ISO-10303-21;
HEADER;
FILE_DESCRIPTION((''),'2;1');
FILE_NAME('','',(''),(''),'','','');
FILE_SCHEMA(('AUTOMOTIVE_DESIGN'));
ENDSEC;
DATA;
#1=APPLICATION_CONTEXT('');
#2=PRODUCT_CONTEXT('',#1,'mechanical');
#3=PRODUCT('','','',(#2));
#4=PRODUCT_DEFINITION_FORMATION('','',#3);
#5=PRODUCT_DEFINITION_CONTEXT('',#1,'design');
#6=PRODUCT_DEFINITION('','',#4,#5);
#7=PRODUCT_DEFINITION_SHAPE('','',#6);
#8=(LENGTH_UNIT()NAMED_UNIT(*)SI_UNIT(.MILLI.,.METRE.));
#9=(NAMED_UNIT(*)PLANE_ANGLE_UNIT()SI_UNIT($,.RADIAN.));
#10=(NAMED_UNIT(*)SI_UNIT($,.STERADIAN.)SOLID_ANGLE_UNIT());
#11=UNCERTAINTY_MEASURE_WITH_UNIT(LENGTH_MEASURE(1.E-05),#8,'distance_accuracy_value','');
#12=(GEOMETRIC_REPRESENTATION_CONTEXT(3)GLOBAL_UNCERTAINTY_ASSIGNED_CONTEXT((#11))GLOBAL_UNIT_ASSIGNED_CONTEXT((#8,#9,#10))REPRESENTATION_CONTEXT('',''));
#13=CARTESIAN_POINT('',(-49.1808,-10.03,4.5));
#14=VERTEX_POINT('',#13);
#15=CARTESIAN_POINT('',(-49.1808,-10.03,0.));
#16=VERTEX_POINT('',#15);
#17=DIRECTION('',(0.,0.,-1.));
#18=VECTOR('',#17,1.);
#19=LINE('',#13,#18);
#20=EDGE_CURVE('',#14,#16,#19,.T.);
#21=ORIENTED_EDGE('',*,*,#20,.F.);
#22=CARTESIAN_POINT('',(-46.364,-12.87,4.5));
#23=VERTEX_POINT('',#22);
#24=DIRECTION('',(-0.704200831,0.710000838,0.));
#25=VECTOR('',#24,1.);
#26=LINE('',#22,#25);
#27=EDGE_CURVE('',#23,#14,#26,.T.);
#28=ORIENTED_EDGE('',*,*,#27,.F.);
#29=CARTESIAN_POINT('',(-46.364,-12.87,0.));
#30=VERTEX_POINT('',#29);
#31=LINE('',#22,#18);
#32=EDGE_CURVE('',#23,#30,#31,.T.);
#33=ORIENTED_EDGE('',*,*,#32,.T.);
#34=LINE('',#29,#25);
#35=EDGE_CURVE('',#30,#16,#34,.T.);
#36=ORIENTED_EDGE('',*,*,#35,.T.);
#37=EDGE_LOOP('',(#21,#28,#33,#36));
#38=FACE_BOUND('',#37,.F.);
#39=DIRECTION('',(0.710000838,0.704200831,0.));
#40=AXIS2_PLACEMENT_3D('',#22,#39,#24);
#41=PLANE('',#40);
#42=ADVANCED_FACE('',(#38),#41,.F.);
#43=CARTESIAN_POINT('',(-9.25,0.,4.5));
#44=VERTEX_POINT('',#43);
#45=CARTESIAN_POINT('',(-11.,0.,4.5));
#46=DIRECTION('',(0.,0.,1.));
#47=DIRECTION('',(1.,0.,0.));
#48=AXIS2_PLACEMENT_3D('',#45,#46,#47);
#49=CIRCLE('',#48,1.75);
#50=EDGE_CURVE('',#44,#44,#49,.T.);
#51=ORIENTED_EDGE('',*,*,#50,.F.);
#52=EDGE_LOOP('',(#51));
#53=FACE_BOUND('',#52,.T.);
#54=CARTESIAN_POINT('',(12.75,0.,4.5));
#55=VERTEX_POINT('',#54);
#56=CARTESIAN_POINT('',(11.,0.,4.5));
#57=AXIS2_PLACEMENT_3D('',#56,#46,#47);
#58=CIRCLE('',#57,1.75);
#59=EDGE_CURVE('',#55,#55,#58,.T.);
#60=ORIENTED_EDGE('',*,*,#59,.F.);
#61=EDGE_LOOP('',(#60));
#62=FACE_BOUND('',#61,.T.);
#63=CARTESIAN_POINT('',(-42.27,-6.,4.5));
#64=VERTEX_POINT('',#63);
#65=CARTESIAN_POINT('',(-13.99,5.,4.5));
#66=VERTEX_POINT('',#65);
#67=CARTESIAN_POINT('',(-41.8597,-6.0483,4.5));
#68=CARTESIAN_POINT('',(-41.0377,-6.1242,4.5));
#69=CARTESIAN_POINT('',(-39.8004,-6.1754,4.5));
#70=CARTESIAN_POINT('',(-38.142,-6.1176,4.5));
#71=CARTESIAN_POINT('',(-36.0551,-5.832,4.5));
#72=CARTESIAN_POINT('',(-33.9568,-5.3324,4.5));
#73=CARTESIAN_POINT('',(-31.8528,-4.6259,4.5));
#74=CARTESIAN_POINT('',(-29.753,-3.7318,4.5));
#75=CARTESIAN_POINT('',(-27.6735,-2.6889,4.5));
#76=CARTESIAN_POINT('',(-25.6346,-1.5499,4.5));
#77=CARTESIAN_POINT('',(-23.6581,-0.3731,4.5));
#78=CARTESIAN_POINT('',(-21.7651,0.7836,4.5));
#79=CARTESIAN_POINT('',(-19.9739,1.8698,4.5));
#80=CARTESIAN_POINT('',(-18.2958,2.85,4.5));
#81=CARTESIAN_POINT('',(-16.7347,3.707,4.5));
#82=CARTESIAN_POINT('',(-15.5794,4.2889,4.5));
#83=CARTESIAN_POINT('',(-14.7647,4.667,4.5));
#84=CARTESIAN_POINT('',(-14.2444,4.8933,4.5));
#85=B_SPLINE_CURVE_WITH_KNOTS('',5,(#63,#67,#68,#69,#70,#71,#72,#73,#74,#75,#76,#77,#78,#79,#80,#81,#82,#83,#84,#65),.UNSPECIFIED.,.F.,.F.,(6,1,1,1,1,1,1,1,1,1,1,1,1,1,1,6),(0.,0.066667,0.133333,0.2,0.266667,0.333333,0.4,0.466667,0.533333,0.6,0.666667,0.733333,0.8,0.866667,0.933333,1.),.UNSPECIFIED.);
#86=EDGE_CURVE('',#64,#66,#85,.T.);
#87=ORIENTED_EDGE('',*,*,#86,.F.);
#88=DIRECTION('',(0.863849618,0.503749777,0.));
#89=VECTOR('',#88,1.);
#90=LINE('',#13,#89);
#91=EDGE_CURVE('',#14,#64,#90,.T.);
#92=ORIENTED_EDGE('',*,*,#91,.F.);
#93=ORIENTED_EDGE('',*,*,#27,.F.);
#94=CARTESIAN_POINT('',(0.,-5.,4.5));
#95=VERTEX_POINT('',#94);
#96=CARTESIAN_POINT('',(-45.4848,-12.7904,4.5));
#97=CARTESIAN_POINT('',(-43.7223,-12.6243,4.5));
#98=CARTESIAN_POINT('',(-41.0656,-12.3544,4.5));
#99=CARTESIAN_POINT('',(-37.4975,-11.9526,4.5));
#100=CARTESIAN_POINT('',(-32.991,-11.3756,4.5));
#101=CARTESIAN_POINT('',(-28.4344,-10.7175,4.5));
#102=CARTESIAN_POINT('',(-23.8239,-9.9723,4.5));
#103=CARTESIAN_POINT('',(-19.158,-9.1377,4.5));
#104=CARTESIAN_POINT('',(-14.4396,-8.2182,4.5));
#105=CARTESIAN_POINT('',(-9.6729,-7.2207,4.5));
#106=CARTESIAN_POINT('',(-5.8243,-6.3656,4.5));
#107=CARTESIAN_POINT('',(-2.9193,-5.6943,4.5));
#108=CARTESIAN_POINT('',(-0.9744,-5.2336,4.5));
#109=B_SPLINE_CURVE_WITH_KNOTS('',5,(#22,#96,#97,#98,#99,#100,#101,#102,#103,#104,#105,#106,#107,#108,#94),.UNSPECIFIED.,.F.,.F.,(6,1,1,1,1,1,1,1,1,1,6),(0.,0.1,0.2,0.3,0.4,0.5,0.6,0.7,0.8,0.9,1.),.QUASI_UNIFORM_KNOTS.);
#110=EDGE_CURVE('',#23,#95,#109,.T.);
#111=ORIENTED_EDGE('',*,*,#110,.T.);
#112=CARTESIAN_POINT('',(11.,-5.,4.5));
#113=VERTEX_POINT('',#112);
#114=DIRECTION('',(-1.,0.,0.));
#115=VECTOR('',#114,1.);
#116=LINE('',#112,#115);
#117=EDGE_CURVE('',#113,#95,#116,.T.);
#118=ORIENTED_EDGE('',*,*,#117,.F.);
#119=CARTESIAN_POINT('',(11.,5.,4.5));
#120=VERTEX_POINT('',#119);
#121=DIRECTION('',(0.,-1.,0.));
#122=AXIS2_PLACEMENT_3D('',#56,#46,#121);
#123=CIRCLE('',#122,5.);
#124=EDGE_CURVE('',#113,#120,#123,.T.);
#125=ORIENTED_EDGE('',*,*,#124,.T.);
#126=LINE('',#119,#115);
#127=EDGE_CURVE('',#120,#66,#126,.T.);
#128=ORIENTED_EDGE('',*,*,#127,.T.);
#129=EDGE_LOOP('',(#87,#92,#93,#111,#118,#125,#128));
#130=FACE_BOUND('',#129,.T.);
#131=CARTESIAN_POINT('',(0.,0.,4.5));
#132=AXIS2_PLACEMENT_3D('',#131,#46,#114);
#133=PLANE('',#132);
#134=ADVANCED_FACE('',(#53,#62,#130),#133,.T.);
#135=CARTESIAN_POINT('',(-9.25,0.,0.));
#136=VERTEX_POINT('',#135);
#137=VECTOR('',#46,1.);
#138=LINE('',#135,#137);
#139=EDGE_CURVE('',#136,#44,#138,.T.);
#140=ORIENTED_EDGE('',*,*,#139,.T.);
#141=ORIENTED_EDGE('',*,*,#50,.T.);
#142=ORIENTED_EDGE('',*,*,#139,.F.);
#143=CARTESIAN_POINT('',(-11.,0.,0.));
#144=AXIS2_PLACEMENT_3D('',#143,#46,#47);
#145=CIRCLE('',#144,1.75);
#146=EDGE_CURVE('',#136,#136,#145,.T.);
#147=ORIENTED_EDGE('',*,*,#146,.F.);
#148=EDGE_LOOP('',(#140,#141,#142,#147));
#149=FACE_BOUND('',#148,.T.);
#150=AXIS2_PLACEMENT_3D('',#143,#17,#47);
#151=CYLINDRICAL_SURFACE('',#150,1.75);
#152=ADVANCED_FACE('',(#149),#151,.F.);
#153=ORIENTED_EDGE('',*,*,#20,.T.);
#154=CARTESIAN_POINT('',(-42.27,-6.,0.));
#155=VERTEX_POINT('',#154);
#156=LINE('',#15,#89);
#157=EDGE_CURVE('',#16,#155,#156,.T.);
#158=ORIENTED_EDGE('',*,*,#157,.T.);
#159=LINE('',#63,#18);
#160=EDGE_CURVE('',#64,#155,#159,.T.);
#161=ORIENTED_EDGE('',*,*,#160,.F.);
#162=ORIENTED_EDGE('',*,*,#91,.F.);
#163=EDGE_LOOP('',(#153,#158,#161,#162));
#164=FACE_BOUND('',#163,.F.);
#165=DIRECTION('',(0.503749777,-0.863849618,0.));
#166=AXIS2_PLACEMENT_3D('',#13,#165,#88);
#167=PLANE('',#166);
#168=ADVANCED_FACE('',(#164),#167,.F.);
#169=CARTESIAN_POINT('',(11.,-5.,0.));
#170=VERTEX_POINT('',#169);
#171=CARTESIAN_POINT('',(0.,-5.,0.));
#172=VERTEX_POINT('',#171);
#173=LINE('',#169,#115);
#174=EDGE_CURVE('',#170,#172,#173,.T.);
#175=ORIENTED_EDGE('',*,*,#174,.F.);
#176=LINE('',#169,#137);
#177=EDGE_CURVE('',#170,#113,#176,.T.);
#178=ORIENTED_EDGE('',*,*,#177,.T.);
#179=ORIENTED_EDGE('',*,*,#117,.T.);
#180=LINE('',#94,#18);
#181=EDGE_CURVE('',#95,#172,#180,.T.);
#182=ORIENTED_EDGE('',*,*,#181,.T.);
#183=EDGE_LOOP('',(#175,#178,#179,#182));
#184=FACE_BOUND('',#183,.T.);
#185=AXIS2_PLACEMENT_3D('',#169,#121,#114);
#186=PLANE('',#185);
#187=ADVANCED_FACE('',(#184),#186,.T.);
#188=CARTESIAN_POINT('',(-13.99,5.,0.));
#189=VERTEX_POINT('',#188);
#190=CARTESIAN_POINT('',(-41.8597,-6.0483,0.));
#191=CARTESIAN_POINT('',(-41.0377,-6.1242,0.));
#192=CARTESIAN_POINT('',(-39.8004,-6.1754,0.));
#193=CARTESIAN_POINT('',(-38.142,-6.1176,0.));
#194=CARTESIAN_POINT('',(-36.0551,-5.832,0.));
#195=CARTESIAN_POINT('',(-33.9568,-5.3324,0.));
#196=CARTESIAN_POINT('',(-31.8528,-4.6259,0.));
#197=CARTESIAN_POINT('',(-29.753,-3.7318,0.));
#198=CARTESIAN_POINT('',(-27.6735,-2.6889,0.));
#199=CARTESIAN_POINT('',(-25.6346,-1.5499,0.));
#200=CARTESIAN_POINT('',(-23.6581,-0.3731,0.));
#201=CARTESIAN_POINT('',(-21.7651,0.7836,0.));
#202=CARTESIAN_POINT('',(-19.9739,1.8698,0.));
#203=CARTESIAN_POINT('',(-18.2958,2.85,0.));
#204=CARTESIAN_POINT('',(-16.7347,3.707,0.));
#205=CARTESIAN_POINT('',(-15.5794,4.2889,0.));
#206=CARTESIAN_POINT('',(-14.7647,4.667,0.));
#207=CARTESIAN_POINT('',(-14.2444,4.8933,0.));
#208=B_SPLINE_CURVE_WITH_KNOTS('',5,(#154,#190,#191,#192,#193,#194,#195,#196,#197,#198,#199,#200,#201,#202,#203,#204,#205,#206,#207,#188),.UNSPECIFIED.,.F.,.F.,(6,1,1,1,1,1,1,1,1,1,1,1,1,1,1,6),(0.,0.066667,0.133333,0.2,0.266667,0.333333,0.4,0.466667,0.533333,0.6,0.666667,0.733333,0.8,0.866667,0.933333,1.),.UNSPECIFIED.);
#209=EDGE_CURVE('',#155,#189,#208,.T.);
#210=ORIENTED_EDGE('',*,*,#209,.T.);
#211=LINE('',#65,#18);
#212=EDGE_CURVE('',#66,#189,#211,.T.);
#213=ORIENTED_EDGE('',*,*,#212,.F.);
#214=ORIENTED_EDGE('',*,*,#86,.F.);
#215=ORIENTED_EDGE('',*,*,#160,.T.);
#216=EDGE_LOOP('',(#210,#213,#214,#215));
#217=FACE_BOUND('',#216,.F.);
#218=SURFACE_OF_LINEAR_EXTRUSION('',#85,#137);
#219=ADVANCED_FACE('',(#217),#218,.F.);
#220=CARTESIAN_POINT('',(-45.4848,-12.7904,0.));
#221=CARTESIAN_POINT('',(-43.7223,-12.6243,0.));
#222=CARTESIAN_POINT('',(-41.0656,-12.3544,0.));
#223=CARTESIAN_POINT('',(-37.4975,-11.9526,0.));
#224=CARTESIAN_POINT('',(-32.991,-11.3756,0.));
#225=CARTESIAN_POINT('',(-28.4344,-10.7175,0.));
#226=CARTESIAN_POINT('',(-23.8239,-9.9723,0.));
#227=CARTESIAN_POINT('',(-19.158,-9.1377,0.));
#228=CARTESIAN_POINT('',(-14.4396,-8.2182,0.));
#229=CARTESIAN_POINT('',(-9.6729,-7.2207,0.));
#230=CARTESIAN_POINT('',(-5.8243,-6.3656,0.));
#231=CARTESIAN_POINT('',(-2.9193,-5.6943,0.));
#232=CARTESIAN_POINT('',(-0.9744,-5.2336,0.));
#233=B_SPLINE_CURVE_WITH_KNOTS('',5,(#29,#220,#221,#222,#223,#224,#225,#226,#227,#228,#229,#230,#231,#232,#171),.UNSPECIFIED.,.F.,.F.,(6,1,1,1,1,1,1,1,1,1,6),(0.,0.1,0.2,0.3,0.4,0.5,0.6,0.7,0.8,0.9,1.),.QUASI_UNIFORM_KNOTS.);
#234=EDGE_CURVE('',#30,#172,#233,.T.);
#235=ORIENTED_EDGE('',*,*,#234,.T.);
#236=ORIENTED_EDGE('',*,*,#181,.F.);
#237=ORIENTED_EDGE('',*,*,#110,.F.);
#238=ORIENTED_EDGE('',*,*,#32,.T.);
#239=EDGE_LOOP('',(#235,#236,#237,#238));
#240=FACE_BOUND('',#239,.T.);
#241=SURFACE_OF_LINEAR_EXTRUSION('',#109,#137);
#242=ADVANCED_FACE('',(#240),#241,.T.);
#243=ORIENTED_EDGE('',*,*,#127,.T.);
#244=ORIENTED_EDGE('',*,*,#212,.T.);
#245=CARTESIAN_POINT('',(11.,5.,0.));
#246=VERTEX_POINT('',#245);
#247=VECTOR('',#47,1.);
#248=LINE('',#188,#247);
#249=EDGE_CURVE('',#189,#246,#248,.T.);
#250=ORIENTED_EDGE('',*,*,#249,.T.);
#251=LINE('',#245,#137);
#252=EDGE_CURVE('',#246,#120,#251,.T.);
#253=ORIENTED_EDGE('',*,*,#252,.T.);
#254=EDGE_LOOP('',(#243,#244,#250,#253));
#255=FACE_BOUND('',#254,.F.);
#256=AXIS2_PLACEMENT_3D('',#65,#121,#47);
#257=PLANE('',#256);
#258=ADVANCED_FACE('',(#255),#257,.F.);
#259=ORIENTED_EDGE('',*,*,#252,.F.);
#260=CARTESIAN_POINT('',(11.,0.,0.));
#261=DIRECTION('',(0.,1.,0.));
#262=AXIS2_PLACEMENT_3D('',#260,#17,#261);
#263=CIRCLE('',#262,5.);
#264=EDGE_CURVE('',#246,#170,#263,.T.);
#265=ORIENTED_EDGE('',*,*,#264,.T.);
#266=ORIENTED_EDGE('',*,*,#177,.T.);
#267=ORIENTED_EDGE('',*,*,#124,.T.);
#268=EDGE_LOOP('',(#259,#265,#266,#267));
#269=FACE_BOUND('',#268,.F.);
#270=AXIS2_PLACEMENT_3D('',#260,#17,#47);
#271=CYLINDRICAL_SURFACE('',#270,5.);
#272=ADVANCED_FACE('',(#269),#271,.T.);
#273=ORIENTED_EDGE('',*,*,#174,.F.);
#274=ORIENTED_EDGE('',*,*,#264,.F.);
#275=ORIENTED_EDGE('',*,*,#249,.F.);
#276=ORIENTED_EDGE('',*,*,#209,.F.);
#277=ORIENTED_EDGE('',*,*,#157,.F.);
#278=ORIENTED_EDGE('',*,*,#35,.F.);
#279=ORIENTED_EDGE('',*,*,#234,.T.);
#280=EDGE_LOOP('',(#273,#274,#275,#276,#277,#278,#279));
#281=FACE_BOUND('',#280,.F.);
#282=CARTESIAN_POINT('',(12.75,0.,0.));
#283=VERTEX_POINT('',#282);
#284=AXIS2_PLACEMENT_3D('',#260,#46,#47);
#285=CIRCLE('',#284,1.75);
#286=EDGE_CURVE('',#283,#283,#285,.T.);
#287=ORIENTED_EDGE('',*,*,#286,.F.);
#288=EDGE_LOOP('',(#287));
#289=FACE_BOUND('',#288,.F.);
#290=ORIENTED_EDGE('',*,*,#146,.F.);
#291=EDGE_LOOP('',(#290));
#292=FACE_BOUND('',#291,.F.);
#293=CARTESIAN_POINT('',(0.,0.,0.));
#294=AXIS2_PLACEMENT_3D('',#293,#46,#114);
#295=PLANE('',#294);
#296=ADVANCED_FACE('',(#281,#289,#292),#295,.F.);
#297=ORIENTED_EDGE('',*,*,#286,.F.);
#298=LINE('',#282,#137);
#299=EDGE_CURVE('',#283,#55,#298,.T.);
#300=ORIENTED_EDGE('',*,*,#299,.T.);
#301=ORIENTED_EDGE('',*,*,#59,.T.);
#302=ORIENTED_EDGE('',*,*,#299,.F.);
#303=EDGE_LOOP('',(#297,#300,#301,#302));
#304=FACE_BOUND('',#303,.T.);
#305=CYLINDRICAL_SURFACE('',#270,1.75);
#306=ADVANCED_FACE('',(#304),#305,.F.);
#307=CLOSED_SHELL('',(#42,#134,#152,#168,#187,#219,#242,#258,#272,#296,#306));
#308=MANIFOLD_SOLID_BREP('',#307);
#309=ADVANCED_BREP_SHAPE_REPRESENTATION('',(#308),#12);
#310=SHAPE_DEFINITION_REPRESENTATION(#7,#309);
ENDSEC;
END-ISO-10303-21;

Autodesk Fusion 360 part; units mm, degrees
sketch "Sketch1" plane through (0, 0, 0) normal (0, 0, 1) x (1, 0, 0)
  line L0 (-11, 0) -> (11, 0) construction
  circle A0 centre (-11, 0) radius 1.75
  circle A1 centre (-11, 0) radius 5
  circle A2 centre (11, 0) radius 1.75
  circle A3 centre (11, 0) radius 5
  line L1 (-11, 5) -> (11, 5)
  line L2 (11, -5) -> (-11, -5)
  dimension "d1" = 22
  dimension "d2" = 3.5
  dimension "d3" = 10
  dimension "d4" = 3.5
  dimension "d5" = 10
extrude "Extrude1" add sketch "Sketch1" along normal blind 4.5
sketch "Sketch2" plane through (0, 0, 4.5) normal (0, 0, 1) x (-1, 0, 0)
  circle A0 centre (-11, 0) radius 1.75
  circle A1 centre (11, 0) radius 1.75
  arc A2 (11, -5) -> (11, 5) centre (11, 0) ccw
  line L0 (11, 5) -> (-11, 5)
  arc A3 (-11, 5) -> (-11, -5) centre (-11, 0) ccw
  line L1 (-11, -5) -> (11, -5)
  line L2 (46.364, 12.87) -> (49.1808, 10.03)
  line L3 (49.1808, 10.03) -> (42.27, 6)
  line L4 (11, 0) -> (11, -5) construction
  spline S0 degree 5 poles (42.27, 6) (41.8597, 6.0483) (41.0377, 6.1242) (39.8004, 6.1754) (38.142, 6.1176) (36.0551, 5.832) (33.9568, 5.3324) (31.8528, 4.6259) (29.753, 3.7318) (27.6735, 2.6889) (25.6346, 1.5499) (23.6581, 0.3731) (21.7651, -0.7836) (19.9739, -1.8698) (18.2958, -2.85) (16.7347, -3.707) (15.5794, -4.2889) (14.7647, -4.667) (14.2444, -4.8933) (13.99, -5) knots 0 0 0 0 0 0 0.066667 0.133333 0.2 0.266667 0.333333 0.4 0.466667 0.533333 0.6 0.666667 0.733333 0.8 0.866667 0.933333 1 1 1 1 1 1
  line L5 (0, 0) -> (0, 5) construction
  spline S1 degree 5 poles (46.364, 12.87) (45.4848, 12.7904) (43.7223, 12.6243) (41.0656, 12.3544) (37.4975, 11.9526) (32.991, 11.3756) (28.4344, 10.7175) (23.8239, 9.9723) (19.158, 9.1377) (14.4396, 8.2182) (9.6729, 7.2207) (5.8243, 6.3656) (2.9193, 5.6943) (0.9744, 5.2336) (0, 5) knots 0 0 0 0 0 0 0.1 0.2 0.3 0.4 0.5 0.6 0.7 0.8 0.9 1 1 1 1 1 1
  line L6 (11, 0) -> (11, 5) construction
  line L7 (0, 5) -> (11, 5)
  line L8 (13.99, -5) -> (11, -5)
  point P0 (31.52, 4.45)
  point P1 (20.61, -1.48)
  point P2 (24.52, 10.07)
  dimension "d10" = 4
  dimension "d11" = 8
  dimension "d12" = 31.27
  dimension "d13" = 11
  dimension "d14" = 15.03
  dimension "d15" = 17.87
  dimension "d16" = 9.45
  dimension "d17" = 3.52
  dimension "d18" = 2.99
  dimension "d19" = 9.61
  dimension "d20" = 20.52
  dimension "d21" = 13.52
  dimension "d22" = 15.07
extrude "Extrude2" add sketch "Sketch2" against normal up to surface (4.5 mm away) contours A2 L0 L2 L3 S0 S1 L7 L8
